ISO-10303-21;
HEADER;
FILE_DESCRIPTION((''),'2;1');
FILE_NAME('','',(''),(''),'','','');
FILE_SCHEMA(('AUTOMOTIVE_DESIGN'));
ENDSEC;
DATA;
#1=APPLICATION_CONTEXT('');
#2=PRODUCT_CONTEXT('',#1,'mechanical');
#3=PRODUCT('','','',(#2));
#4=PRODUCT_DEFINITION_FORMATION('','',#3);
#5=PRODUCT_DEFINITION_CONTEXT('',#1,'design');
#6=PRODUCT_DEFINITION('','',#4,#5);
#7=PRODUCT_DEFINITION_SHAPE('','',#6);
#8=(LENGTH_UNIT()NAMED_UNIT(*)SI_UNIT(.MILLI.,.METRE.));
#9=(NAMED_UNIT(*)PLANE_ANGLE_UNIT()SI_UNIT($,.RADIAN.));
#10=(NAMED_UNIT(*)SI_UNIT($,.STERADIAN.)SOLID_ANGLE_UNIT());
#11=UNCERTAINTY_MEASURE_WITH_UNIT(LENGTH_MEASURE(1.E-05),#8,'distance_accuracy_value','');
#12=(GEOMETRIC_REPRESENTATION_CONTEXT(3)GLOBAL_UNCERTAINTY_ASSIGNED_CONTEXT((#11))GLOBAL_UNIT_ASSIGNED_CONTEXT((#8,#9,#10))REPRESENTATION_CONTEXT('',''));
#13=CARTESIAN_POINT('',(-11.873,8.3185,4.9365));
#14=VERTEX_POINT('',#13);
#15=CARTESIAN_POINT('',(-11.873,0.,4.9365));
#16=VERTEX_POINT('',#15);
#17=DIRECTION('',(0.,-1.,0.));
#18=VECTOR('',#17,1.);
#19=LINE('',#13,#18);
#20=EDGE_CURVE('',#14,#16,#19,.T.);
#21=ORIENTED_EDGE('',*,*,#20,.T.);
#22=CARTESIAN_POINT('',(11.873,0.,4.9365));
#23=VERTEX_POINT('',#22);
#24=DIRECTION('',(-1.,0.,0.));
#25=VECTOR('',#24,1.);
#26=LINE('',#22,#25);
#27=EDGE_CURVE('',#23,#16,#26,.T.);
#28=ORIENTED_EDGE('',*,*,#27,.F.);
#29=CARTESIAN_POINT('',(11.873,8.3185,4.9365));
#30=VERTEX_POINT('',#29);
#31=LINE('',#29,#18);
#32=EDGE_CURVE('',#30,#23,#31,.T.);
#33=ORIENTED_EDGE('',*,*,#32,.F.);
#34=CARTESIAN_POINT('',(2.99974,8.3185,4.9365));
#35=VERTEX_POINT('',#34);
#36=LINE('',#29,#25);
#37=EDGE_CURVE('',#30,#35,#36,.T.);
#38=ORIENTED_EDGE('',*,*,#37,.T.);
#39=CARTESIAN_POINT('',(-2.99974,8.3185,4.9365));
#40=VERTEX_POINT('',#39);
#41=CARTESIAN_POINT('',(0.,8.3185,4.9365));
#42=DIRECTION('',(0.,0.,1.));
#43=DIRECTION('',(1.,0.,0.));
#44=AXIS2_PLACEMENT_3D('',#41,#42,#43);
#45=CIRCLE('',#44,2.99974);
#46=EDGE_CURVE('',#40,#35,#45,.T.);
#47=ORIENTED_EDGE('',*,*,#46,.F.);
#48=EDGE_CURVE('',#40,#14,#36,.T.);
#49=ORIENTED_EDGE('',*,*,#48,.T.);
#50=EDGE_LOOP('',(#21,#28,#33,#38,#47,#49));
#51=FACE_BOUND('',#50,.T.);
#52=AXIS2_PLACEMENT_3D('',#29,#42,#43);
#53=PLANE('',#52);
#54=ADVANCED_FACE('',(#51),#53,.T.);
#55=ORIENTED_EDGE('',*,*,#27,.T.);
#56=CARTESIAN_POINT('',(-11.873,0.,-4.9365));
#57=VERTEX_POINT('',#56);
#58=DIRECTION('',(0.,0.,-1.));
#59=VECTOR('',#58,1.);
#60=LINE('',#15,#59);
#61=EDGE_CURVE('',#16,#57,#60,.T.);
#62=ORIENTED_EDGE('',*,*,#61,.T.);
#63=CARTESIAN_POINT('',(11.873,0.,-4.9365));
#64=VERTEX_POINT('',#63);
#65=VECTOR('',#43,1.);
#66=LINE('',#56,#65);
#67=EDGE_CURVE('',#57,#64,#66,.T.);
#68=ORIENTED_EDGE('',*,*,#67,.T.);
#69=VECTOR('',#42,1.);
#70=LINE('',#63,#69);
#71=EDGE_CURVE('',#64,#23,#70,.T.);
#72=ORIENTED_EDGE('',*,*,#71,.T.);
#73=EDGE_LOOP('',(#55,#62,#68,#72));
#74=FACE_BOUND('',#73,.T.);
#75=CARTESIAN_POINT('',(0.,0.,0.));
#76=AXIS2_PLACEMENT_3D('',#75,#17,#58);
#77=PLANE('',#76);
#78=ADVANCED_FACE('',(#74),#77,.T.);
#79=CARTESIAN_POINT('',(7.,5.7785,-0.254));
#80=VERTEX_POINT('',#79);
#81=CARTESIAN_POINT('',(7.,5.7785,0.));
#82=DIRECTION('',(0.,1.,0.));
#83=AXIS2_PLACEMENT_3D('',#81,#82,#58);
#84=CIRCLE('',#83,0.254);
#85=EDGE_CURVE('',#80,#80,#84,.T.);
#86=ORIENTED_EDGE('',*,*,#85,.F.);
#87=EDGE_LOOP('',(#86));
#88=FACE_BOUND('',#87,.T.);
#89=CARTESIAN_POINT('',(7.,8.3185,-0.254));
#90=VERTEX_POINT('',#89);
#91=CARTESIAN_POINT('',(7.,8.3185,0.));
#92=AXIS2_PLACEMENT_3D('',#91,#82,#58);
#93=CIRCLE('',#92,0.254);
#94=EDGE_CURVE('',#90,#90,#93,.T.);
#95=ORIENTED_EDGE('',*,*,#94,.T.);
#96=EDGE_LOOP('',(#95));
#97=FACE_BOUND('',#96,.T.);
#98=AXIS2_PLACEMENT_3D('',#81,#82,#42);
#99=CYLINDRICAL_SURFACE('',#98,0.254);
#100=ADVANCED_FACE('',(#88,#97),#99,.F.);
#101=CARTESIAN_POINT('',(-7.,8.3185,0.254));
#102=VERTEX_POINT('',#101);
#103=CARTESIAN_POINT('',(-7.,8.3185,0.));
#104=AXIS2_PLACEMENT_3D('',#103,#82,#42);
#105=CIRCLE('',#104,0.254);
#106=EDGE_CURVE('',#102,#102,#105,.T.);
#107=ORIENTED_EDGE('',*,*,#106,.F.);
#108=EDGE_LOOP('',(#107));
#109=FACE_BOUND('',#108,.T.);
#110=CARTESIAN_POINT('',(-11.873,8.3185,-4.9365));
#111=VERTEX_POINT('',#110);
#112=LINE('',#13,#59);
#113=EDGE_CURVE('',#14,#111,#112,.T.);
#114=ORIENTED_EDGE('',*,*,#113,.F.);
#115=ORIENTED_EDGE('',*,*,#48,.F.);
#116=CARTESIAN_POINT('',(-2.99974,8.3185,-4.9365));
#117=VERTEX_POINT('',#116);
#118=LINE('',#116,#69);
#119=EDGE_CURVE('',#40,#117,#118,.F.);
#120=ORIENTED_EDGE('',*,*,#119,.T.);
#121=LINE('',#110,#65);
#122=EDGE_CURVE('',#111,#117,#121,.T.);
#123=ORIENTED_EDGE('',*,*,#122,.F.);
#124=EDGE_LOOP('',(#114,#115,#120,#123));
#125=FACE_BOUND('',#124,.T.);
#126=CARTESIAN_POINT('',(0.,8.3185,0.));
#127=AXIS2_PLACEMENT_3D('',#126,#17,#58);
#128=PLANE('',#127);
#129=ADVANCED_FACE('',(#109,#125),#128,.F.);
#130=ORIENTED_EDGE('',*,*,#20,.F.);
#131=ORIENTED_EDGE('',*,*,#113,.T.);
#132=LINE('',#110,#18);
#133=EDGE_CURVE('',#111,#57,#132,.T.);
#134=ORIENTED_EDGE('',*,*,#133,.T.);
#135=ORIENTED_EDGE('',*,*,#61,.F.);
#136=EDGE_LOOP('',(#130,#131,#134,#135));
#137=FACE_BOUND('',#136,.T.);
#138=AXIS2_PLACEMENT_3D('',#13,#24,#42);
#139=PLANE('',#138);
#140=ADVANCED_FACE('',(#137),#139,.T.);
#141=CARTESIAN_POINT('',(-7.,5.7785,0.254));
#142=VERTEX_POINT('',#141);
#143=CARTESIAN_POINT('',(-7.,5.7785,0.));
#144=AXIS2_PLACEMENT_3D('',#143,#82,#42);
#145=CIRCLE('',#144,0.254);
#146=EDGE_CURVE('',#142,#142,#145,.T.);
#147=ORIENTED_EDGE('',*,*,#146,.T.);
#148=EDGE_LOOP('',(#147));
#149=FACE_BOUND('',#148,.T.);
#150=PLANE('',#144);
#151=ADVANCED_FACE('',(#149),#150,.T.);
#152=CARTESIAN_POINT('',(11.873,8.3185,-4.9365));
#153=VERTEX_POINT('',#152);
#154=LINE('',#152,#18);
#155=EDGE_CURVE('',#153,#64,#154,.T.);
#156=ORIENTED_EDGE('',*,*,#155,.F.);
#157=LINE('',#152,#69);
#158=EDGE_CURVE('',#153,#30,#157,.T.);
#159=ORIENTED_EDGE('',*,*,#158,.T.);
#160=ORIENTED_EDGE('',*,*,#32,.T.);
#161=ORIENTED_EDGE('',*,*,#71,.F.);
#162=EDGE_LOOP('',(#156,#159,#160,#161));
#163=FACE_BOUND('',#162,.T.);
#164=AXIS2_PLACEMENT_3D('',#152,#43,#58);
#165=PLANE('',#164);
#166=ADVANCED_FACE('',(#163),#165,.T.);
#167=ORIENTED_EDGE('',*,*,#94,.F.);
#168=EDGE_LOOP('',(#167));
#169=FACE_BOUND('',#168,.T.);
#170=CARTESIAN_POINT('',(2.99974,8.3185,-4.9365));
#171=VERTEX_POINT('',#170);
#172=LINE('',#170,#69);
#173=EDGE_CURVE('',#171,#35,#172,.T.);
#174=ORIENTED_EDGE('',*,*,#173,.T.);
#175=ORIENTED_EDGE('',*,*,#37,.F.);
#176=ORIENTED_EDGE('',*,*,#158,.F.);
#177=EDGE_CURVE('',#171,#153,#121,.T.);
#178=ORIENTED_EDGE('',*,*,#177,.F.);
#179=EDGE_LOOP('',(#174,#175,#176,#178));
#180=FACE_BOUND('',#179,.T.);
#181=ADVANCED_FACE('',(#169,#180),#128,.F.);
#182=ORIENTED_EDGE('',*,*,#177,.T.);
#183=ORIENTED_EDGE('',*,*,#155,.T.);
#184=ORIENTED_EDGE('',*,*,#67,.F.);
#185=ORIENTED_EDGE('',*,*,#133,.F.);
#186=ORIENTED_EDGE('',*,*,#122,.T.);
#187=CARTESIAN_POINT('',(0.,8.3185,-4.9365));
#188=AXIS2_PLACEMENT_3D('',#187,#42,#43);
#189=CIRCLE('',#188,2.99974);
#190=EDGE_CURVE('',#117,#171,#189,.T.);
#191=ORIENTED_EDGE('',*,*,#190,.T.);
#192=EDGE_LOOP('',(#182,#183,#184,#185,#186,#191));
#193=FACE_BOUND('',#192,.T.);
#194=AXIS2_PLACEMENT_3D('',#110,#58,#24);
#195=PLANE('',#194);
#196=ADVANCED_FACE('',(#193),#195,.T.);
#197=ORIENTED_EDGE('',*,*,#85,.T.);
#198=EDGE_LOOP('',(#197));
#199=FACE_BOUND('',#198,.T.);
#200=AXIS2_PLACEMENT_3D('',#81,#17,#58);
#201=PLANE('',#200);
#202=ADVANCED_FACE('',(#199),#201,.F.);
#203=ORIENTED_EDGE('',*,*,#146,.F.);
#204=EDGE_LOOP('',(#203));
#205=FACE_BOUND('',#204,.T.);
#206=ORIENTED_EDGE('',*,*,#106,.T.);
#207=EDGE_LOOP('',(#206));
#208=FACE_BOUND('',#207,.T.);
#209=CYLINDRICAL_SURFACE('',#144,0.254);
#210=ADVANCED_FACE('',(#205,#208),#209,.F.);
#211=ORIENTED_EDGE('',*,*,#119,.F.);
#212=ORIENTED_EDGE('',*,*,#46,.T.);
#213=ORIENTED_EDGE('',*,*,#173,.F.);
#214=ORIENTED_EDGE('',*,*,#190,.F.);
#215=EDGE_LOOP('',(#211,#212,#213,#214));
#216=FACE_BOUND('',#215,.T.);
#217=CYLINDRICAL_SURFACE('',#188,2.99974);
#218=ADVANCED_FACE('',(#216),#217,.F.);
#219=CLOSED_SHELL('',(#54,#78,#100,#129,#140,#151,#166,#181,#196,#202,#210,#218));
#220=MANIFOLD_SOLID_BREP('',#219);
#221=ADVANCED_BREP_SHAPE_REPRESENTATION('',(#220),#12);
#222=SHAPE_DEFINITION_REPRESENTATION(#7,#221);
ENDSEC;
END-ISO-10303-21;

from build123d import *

# Parameters (mm, degrees)
SKETCH2_W           = 23.74600026
SKETCH2_H           = 9.873000066
BOSS_EXTRUDE1_DEPTH = 8.3185
SKETCH3_R           = 2.99974
CUT_EXTRUDE1_DEPTH  = 18.539717918
SKETCH4_R           = 0.254
CUT_EXTRUDE2_DEPTH  = 2.54


with BuildPart() as part:
    # Sketch2 → Boss-Extrude1 (new body)
    with BuildSketch(Plane(origin=(0, 0, 0), x_dir=(1, 0, 0), z_dir=(0, 1, 0))):
        Rectangle(SKETCH2_W, SKETCH2_H)
    extrude(amount=BOSS_EXTRUDE1_DEPTH)

    # Sketch3 → Cut-Extrude1 (cut, through all)
    with BuildSketch(Plane.XY.offset(4.936500033)):
        with Locations((0, 8.3185)):
            Circle(SKETCH3_R)
    extrude(amount=-CUT_EXTRUDE1_DEPTH, mode=Mode.SUBTRACT)

    # Sketch4 → Cut-Extrude2 (cut)
    with BuildSketch(Plane(origin=(0, 8.3185, 0), x_dir=(1, 0, 0), z_dir=(0, 1, 0))):
        with Locations(Location((-6.99999997, 0, 0), (0, 0, 270))):
            Circle(SKETCH4_R)
        with Locations(Location((6.99999997, 0, 0), (0, 0, 90))):
            Circle(SKETCH4_R)
    extrude(amount=-CUT_EXTRUDE2_DEPTH, mode=Mode.SUBTRACT)


solid = part.part
